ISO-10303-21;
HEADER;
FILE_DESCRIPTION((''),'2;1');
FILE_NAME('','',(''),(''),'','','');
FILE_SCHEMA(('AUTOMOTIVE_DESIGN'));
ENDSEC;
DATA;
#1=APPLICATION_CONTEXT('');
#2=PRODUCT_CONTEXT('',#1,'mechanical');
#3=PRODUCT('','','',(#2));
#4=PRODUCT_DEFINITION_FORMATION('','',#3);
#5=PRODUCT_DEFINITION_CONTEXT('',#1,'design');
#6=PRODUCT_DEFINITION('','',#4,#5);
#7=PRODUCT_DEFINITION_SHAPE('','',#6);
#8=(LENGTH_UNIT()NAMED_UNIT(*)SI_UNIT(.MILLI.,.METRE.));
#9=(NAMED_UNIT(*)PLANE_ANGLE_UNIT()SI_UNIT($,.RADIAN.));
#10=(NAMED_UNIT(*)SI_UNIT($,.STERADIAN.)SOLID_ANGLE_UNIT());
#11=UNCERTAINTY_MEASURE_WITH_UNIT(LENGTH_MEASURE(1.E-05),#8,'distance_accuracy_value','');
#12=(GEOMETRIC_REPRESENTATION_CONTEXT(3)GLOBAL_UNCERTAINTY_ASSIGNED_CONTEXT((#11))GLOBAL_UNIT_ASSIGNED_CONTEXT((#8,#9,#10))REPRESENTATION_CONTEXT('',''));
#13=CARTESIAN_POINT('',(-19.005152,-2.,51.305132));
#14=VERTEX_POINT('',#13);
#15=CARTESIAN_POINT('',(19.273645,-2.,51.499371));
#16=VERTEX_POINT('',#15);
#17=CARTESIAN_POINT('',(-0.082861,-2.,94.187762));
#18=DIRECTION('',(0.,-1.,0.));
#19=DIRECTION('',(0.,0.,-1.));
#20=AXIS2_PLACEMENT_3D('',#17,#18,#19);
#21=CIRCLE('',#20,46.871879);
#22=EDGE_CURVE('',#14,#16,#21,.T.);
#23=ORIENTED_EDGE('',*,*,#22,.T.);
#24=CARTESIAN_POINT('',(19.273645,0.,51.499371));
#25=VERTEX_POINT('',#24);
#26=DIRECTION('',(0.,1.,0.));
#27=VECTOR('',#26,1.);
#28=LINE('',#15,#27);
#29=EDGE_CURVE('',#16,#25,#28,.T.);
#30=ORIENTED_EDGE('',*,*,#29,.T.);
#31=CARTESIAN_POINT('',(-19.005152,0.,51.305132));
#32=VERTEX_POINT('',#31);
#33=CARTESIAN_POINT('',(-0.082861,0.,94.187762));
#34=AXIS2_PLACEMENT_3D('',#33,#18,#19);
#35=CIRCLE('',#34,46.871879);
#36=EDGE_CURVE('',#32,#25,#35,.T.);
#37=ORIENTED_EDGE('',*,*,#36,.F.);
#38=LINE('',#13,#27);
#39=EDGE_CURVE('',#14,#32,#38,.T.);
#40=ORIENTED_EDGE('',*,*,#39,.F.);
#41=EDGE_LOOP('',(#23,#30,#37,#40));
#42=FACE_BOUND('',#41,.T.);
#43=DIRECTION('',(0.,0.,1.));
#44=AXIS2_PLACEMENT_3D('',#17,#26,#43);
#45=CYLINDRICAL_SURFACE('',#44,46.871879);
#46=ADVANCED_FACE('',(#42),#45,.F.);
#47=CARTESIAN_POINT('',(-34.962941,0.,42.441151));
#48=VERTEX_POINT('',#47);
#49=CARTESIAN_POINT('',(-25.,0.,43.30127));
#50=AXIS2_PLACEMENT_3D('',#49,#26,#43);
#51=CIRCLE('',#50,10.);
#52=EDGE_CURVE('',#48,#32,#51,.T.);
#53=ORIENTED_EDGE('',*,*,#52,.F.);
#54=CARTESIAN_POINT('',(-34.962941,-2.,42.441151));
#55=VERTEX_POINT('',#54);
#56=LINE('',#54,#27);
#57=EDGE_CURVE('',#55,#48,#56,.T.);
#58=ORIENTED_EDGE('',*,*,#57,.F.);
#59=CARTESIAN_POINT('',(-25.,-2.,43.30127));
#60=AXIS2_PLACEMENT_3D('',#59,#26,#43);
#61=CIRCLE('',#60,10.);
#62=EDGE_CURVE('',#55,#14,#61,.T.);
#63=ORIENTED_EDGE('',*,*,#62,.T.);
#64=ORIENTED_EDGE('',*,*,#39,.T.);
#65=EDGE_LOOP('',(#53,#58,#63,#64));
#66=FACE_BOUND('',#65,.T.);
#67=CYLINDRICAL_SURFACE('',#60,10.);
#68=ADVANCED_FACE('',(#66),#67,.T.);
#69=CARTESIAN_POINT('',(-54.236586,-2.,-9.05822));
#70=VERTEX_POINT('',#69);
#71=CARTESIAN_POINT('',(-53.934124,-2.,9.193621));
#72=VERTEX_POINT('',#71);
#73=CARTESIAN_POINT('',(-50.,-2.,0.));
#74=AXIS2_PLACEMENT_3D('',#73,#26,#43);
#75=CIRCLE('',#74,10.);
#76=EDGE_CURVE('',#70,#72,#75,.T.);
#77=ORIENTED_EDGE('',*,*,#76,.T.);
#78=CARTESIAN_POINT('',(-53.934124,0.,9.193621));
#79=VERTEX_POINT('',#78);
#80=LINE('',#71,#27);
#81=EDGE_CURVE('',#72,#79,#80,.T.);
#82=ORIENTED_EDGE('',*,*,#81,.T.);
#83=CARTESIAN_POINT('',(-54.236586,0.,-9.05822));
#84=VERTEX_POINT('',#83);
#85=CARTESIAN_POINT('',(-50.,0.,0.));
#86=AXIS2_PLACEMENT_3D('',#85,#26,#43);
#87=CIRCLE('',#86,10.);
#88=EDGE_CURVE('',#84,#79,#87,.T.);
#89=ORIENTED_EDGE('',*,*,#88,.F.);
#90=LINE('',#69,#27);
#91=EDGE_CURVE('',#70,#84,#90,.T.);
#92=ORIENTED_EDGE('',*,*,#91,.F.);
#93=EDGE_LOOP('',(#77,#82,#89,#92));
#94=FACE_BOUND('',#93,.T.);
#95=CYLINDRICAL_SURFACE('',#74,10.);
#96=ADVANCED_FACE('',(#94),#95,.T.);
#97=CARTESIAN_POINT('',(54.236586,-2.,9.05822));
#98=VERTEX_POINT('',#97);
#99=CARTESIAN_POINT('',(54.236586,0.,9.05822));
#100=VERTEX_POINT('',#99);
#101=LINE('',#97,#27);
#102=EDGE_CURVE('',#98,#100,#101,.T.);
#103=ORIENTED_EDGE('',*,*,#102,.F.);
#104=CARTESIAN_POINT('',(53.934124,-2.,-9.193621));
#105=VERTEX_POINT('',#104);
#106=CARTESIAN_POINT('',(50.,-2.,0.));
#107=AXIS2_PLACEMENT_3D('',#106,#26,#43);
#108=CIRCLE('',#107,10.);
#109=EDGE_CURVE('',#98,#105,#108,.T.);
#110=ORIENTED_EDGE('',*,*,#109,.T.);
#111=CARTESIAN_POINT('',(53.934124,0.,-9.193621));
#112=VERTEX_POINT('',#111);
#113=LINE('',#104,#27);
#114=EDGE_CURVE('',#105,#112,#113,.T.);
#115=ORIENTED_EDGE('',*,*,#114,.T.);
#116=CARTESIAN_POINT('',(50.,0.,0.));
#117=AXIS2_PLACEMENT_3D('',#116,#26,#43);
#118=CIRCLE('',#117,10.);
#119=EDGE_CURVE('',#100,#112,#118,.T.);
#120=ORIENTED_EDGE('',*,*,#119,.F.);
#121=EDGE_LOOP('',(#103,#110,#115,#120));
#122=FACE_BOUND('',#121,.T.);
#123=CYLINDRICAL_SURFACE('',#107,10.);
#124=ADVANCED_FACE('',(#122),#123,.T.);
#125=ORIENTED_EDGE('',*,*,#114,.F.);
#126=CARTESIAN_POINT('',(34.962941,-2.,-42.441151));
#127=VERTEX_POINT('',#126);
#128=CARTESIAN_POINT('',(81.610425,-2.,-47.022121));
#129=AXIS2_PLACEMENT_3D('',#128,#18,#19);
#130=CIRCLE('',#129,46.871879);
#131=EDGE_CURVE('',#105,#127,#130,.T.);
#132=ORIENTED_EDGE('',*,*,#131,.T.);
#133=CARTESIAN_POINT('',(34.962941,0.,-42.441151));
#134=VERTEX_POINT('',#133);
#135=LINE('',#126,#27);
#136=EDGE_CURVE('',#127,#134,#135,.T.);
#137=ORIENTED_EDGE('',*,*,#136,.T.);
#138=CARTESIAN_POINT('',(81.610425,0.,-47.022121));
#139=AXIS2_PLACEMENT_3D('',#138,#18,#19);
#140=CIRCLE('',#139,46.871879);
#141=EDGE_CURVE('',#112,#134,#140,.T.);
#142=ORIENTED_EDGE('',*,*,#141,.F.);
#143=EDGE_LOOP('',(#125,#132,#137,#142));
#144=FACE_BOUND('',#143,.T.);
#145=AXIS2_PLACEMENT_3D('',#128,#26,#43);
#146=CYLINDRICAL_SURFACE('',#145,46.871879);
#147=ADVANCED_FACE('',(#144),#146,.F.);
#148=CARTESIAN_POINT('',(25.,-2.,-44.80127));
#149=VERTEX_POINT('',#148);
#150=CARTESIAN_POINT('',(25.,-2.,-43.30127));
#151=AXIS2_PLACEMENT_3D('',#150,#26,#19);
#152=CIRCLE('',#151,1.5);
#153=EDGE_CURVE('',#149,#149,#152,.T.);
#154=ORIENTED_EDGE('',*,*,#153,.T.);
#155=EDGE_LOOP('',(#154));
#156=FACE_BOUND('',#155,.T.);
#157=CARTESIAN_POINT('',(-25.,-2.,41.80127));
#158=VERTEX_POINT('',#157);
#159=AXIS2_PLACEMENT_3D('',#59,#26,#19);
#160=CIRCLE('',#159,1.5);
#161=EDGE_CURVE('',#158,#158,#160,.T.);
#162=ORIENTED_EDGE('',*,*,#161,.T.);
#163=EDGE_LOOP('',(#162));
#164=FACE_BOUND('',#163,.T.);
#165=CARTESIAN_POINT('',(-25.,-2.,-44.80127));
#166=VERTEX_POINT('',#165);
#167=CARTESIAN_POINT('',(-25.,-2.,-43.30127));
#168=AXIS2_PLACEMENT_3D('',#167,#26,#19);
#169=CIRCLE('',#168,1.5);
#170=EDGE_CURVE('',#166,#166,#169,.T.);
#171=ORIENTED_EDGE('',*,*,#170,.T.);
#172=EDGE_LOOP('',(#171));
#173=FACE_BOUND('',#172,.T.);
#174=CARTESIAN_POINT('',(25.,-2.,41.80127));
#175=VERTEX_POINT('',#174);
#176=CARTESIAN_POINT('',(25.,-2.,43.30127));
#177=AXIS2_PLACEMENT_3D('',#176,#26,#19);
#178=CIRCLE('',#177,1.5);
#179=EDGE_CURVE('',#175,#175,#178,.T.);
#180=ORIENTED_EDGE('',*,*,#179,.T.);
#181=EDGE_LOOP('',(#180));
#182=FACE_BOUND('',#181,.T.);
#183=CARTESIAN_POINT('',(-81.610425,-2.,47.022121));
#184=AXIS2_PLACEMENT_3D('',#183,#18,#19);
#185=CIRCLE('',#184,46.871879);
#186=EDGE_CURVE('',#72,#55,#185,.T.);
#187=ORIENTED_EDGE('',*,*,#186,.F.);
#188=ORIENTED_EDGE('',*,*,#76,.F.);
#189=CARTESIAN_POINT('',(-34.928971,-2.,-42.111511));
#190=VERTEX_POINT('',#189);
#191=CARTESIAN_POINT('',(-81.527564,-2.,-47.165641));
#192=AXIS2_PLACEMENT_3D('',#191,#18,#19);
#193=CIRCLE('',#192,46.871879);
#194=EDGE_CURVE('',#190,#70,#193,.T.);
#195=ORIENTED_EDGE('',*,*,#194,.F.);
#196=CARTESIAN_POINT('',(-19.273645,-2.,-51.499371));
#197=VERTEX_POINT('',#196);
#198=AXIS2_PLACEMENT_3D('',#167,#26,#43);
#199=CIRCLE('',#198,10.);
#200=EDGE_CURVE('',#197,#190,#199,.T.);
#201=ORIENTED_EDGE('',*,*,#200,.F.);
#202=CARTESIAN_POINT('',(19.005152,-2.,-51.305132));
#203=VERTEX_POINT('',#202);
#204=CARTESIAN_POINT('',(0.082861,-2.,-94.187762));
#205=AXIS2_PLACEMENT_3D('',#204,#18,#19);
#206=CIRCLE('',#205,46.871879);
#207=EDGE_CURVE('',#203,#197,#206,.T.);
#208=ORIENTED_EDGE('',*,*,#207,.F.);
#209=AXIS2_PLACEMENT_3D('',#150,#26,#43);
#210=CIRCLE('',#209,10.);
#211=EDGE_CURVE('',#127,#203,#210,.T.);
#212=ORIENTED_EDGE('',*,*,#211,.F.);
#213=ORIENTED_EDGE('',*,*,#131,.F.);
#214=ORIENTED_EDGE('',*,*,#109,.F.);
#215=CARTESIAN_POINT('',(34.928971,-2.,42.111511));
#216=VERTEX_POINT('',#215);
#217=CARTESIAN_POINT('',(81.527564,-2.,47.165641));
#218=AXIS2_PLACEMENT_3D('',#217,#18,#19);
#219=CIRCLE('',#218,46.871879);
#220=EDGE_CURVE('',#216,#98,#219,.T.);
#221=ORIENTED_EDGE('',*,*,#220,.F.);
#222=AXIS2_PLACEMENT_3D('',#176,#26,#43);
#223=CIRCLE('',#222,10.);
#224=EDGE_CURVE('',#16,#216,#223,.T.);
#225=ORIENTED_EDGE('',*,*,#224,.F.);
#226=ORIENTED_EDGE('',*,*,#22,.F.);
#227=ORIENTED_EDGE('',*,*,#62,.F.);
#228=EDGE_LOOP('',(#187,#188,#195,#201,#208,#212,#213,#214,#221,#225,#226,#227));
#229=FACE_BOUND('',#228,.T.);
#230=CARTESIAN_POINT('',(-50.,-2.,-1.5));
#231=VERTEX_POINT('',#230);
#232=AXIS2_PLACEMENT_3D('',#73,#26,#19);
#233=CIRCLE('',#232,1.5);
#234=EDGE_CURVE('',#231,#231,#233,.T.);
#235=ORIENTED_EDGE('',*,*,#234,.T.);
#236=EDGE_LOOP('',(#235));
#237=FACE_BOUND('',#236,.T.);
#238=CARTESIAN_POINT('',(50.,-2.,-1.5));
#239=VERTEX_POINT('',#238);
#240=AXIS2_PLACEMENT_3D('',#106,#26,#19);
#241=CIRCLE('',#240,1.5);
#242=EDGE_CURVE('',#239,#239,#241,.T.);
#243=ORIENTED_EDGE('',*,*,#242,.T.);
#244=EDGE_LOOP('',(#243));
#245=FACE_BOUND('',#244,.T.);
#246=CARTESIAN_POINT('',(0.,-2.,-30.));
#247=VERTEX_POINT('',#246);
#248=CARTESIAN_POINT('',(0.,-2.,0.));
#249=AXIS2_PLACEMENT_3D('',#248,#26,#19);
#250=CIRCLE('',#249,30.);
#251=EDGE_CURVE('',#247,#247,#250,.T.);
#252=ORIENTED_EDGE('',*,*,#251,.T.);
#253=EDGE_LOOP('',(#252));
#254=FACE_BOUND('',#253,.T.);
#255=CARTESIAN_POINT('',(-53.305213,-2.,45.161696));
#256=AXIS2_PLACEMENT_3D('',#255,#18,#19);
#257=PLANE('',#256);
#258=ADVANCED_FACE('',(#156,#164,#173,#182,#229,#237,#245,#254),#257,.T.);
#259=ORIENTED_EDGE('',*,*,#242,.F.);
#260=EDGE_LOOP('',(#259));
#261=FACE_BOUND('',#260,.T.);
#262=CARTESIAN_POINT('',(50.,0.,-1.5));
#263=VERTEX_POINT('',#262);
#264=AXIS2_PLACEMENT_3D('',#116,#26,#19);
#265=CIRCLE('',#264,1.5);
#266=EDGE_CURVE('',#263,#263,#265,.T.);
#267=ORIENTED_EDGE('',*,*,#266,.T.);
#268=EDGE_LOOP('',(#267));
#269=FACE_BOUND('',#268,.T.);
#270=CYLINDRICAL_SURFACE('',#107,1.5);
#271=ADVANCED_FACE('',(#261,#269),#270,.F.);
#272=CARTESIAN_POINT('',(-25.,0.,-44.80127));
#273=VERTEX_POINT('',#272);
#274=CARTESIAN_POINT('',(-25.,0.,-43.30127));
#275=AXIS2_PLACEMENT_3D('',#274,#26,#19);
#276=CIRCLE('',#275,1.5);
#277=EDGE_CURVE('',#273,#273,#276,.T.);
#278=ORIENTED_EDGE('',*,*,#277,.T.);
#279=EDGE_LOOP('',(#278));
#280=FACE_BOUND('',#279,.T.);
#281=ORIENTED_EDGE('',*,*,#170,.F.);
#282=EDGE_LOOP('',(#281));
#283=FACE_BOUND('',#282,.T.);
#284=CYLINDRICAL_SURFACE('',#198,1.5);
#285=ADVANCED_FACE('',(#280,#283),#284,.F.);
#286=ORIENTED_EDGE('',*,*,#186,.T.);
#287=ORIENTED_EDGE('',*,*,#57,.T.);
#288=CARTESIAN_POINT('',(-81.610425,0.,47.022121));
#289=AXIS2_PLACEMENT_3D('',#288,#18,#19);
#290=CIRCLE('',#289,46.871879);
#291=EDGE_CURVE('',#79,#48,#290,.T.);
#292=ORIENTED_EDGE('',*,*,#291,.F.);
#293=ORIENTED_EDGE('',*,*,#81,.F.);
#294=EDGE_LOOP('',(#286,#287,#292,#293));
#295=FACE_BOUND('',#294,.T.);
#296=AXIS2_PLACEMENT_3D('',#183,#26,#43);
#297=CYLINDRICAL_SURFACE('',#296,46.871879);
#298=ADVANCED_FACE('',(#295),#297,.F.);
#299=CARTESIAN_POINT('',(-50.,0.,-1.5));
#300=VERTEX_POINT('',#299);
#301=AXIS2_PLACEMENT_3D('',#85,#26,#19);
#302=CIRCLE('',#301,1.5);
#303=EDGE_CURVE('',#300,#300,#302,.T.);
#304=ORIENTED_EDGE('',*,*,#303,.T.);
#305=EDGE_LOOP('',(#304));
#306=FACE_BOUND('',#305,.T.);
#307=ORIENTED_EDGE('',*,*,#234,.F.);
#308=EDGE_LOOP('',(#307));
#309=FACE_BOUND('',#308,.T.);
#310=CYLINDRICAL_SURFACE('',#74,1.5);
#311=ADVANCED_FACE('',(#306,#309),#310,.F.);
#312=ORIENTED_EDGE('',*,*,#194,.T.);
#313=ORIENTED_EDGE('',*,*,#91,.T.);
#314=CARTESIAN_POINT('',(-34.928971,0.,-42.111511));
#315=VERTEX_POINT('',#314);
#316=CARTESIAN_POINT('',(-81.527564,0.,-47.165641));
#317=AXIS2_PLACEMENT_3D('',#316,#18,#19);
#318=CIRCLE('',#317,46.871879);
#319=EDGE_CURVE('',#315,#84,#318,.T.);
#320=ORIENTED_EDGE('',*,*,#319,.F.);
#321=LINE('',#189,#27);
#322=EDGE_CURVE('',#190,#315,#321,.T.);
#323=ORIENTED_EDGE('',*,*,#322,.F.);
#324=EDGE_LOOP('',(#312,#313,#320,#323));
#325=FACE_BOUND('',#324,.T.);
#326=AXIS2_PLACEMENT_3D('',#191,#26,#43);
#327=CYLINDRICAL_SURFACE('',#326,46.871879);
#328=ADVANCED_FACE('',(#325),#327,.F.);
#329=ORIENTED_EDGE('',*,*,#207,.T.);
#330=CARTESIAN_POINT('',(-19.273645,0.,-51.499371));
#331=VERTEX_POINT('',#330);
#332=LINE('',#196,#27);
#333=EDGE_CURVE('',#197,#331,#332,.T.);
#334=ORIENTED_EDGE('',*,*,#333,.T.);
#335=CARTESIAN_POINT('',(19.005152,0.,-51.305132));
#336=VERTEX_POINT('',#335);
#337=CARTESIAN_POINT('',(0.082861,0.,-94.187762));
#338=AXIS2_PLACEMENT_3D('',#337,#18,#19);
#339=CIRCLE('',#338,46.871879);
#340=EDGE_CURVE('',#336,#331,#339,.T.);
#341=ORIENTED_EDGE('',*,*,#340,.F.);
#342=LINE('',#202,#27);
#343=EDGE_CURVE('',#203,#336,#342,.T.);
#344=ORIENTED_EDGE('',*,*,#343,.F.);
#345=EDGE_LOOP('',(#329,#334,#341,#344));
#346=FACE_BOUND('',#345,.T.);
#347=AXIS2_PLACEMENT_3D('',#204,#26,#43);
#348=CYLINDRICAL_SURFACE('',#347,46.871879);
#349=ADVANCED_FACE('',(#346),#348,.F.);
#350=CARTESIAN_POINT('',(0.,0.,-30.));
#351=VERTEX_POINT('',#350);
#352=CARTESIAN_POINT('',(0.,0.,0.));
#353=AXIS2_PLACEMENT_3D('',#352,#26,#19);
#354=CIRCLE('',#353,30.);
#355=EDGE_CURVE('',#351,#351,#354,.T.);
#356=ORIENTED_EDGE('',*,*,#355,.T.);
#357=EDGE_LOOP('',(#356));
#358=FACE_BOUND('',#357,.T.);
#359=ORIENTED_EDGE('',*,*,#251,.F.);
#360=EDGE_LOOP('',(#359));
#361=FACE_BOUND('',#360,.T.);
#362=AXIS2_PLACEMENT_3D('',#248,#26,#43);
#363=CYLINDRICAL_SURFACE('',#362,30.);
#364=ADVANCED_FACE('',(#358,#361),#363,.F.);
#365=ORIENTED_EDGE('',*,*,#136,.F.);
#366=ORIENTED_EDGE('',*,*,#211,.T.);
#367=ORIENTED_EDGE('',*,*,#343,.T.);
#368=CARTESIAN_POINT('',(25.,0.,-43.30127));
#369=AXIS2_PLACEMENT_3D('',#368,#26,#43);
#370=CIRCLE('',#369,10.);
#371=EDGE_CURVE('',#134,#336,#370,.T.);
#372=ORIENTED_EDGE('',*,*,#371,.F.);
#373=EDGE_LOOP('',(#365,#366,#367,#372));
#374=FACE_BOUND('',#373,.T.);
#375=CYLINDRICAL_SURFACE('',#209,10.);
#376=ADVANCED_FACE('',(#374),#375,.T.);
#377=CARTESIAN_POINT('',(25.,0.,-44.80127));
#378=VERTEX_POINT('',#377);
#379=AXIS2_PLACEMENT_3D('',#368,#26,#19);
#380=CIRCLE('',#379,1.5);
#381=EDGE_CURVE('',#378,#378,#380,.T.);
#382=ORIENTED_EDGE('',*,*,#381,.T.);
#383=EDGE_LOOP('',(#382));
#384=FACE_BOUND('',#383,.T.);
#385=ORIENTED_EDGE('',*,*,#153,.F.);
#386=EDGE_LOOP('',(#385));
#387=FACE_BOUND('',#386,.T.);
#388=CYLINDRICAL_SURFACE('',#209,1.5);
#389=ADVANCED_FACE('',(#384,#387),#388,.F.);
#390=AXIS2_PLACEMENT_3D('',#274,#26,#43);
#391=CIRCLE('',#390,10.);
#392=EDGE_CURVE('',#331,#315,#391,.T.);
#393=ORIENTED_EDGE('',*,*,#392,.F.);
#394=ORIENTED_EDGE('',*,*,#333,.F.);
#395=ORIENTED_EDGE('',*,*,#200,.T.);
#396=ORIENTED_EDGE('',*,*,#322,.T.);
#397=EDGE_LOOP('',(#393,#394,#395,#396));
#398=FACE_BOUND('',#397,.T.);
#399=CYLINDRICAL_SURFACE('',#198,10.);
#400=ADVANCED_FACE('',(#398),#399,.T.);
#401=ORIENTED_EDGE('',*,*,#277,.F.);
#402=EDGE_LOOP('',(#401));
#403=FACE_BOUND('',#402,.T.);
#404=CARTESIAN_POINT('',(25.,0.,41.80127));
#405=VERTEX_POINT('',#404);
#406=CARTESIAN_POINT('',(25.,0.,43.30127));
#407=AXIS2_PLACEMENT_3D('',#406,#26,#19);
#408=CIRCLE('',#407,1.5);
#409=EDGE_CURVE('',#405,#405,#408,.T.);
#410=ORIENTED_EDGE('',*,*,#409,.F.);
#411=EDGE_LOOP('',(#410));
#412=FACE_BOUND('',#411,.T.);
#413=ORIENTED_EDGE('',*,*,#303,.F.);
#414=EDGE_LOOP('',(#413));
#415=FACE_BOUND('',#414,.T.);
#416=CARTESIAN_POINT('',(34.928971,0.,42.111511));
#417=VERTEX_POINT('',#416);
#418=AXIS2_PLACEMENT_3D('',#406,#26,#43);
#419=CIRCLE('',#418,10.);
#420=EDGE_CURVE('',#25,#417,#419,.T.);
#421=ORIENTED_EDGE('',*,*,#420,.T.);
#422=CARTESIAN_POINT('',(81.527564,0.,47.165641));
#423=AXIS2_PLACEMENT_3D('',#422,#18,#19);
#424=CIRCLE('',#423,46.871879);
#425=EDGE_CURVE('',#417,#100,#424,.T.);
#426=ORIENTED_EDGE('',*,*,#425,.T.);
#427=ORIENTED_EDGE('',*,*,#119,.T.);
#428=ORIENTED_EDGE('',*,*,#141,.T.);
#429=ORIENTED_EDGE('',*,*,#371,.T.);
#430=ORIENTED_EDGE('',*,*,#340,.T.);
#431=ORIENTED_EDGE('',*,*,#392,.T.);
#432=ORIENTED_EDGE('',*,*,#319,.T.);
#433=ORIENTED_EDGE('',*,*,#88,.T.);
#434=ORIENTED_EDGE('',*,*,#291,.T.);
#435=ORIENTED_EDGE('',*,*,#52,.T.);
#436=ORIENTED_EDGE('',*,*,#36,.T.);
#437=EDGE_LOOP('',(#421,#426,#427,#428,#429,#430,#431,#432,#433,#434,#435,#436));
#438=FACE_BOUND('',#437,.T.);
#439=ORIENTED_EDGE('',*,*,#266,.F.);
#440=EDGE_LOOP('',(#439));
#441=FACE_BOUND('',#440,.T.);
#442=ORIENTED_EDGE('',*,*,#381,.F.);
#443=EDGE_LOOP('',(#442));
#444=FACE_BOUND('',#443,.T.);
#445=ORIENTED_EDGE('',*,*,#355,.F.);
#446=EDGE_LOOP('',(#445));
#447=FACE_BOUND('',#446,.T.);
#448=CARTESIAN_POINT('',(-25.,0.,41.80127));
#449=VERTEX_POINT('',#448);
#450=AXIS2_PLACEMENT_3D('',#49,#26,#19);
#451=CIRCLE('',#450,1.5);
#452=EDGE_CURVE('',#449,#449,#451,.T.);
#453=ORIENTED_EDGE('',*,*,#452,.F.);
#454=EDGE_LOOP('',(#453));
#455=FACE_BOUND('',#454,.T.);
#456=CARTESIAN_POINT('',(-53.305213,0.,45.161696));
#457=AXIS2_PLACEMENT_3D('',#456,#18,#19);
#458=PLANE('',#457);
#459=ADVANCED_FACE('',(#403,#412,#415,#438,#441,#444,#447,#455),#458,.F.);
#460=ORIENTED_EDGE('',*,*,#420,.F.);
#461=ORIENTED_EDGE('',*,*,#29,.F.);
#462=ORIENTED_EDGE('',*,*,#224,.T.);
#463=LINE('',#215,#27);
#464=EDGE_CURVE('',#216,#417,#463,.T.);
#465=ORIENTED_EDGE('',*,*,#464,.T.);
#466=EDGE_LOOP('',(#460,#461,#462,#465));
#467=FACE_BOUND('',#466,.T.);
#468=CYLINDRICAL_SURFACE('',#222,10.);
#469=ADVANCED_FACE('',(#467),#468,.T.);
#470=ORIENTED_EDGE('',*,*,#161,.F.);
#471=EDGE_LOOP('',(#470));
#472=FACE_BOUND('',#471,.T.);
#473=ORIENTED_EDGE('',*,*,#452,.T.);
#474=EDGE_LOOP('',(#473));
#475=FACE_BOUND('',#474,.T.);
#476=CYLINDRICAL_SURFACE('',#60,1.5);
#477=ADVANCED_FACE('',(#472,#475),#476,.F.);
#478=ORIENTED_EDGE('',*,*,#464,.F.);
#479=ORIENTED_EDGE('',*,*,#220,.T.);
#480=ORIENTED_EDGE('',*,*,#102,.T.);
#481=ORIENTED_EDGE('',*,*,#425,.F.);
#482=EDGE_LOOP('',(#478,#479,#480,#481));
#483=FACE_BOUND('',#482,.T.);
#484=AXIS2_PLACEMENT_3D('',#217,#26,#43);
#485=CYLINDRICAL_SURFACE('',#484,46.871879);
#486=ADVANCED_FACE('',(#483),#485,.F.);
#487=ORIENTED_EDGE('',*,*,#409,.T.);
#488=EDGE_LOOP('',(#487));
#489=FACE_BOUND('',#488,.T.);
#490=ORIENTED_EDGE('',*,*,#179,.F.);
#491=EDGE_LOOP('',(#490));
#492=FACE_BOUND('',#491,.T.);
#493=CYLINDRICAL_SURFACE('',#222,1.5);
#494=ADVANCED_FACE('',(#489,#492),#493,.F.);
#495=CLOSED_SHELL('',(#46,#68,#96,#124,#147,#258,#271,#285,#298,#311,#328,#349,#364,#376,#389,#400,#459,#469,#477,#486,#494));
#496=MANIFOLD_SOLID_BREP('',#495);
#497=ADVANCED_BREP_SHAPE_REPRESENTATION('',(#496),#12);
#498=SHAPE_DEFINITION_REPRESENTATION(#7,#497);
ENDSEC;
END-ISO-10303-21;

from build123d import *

# Parameters (mm, degrees)
SKETCH1_R           = 30
SKETCH1_R_2         = 1.5
BOSS_EXTRUDE1_DEPTH = 2


with BuildPart() as part:
    # Sketch1 → Boss-Extrude1 (new body)
    with BuildSketch(Plane(origin=(0, 0, 0), x_dir=(1, 0, 0), z_dir=(0, 1, 0))):
        with BuildLine():
            ThreePointArc((-34.962941109, -42.441151321), (-29.8558191, -52.043181929), (-19.005152341, -51.305131854))
            ThreePointArc((-19.005152341, -51.305131854), (0.154978651, -47.316486178), (19.273644656, -51.499370852))
            ThreePointArc((19.273644656, -51.499370852), (30.142808095, -51.877488756), (34.928971359, -42.111510658))
            ThreePointArc((34.928971359, -42.111510658), (41.054768373, -23.52402764), (54.236585765, -9.05821953))
            ThreePointArc((54.236585765, -9.05821953), (59.998627194, 0.165693174), (53.934123701, 9.193621197))
            ThreePointArc((53.934123701, 9.193621197), (40.899789722, 23.792458538), (34.962941109, 42.441151321))
            ThreePointArc((34.962941109, 42.441151321), (29.8558191, 52.043181929), (19.005152341, 51.305131854))
            ThreePointArc((19.005152341, 51.305131854), (-0.154978651, 47.316486178), (-19.273644656, 51.499370852))
            ThreePointArc((-19.273644656, 51.499370852), (-30.142808095, 51.877488756), (-34.928971359, 42.111510658))
            ThreePointArc((-34.928971359, 42.111510658), (-41.054768373, 23.52402764), (-54.236585765, 9.05821953))
            ThreePointArc((-54.236585765, 9.05821953), (-59.998627194, -0.165693174), (-53.934123701, -9.193621197))
            ThreePointArc((-53.934123701, -9.193621197), (-40.899789722, -23.792458538), (-34.962941109, -42.441151321))
        make_face()
        with Locations(Location((0, 0, 0), (0, 0, 90))):
            Circle(SKETCH1_R, mode=Mode.SUBTRACT)
        with Locations(Location((50, 0, 0), (0, 0, 90))):
            Circle(SKETCH1_R_2, mode=Mode.SUBTRACT)
        with Locations(Location((25, -43.301270189, 0), (0, 0, 90))):
            Circle(SKETCH1_R_2, mode=Mode.SUBTRACT)
        with Locations(Location((25, 43.301270189, 0), (0, 0, 90))):
            Circle(SKETCH1_R_2, mode=Mode.SUBTRACT)
        with Locations(Location((-25, -43.301270189, 0), (0, 0, 90))):
            Circle(SKETCH1_R_2, mode=Mode.SUBTRACT)
        with Locations(Location((-50, 0, 0), (0, 0, 90))):
            Circle(SKETCH1_R_2, mode=Mode.SUBTRACT)
        with Locations(Location((-25, 43.301270189, 0), (0, 0, 90))):
            Circle(SKETCH1_R_2, mode=Mode.SUBTRACT)
    extrude(amount=-BOSS_EXTRUDE1_DEPTH)


solid = part.part
